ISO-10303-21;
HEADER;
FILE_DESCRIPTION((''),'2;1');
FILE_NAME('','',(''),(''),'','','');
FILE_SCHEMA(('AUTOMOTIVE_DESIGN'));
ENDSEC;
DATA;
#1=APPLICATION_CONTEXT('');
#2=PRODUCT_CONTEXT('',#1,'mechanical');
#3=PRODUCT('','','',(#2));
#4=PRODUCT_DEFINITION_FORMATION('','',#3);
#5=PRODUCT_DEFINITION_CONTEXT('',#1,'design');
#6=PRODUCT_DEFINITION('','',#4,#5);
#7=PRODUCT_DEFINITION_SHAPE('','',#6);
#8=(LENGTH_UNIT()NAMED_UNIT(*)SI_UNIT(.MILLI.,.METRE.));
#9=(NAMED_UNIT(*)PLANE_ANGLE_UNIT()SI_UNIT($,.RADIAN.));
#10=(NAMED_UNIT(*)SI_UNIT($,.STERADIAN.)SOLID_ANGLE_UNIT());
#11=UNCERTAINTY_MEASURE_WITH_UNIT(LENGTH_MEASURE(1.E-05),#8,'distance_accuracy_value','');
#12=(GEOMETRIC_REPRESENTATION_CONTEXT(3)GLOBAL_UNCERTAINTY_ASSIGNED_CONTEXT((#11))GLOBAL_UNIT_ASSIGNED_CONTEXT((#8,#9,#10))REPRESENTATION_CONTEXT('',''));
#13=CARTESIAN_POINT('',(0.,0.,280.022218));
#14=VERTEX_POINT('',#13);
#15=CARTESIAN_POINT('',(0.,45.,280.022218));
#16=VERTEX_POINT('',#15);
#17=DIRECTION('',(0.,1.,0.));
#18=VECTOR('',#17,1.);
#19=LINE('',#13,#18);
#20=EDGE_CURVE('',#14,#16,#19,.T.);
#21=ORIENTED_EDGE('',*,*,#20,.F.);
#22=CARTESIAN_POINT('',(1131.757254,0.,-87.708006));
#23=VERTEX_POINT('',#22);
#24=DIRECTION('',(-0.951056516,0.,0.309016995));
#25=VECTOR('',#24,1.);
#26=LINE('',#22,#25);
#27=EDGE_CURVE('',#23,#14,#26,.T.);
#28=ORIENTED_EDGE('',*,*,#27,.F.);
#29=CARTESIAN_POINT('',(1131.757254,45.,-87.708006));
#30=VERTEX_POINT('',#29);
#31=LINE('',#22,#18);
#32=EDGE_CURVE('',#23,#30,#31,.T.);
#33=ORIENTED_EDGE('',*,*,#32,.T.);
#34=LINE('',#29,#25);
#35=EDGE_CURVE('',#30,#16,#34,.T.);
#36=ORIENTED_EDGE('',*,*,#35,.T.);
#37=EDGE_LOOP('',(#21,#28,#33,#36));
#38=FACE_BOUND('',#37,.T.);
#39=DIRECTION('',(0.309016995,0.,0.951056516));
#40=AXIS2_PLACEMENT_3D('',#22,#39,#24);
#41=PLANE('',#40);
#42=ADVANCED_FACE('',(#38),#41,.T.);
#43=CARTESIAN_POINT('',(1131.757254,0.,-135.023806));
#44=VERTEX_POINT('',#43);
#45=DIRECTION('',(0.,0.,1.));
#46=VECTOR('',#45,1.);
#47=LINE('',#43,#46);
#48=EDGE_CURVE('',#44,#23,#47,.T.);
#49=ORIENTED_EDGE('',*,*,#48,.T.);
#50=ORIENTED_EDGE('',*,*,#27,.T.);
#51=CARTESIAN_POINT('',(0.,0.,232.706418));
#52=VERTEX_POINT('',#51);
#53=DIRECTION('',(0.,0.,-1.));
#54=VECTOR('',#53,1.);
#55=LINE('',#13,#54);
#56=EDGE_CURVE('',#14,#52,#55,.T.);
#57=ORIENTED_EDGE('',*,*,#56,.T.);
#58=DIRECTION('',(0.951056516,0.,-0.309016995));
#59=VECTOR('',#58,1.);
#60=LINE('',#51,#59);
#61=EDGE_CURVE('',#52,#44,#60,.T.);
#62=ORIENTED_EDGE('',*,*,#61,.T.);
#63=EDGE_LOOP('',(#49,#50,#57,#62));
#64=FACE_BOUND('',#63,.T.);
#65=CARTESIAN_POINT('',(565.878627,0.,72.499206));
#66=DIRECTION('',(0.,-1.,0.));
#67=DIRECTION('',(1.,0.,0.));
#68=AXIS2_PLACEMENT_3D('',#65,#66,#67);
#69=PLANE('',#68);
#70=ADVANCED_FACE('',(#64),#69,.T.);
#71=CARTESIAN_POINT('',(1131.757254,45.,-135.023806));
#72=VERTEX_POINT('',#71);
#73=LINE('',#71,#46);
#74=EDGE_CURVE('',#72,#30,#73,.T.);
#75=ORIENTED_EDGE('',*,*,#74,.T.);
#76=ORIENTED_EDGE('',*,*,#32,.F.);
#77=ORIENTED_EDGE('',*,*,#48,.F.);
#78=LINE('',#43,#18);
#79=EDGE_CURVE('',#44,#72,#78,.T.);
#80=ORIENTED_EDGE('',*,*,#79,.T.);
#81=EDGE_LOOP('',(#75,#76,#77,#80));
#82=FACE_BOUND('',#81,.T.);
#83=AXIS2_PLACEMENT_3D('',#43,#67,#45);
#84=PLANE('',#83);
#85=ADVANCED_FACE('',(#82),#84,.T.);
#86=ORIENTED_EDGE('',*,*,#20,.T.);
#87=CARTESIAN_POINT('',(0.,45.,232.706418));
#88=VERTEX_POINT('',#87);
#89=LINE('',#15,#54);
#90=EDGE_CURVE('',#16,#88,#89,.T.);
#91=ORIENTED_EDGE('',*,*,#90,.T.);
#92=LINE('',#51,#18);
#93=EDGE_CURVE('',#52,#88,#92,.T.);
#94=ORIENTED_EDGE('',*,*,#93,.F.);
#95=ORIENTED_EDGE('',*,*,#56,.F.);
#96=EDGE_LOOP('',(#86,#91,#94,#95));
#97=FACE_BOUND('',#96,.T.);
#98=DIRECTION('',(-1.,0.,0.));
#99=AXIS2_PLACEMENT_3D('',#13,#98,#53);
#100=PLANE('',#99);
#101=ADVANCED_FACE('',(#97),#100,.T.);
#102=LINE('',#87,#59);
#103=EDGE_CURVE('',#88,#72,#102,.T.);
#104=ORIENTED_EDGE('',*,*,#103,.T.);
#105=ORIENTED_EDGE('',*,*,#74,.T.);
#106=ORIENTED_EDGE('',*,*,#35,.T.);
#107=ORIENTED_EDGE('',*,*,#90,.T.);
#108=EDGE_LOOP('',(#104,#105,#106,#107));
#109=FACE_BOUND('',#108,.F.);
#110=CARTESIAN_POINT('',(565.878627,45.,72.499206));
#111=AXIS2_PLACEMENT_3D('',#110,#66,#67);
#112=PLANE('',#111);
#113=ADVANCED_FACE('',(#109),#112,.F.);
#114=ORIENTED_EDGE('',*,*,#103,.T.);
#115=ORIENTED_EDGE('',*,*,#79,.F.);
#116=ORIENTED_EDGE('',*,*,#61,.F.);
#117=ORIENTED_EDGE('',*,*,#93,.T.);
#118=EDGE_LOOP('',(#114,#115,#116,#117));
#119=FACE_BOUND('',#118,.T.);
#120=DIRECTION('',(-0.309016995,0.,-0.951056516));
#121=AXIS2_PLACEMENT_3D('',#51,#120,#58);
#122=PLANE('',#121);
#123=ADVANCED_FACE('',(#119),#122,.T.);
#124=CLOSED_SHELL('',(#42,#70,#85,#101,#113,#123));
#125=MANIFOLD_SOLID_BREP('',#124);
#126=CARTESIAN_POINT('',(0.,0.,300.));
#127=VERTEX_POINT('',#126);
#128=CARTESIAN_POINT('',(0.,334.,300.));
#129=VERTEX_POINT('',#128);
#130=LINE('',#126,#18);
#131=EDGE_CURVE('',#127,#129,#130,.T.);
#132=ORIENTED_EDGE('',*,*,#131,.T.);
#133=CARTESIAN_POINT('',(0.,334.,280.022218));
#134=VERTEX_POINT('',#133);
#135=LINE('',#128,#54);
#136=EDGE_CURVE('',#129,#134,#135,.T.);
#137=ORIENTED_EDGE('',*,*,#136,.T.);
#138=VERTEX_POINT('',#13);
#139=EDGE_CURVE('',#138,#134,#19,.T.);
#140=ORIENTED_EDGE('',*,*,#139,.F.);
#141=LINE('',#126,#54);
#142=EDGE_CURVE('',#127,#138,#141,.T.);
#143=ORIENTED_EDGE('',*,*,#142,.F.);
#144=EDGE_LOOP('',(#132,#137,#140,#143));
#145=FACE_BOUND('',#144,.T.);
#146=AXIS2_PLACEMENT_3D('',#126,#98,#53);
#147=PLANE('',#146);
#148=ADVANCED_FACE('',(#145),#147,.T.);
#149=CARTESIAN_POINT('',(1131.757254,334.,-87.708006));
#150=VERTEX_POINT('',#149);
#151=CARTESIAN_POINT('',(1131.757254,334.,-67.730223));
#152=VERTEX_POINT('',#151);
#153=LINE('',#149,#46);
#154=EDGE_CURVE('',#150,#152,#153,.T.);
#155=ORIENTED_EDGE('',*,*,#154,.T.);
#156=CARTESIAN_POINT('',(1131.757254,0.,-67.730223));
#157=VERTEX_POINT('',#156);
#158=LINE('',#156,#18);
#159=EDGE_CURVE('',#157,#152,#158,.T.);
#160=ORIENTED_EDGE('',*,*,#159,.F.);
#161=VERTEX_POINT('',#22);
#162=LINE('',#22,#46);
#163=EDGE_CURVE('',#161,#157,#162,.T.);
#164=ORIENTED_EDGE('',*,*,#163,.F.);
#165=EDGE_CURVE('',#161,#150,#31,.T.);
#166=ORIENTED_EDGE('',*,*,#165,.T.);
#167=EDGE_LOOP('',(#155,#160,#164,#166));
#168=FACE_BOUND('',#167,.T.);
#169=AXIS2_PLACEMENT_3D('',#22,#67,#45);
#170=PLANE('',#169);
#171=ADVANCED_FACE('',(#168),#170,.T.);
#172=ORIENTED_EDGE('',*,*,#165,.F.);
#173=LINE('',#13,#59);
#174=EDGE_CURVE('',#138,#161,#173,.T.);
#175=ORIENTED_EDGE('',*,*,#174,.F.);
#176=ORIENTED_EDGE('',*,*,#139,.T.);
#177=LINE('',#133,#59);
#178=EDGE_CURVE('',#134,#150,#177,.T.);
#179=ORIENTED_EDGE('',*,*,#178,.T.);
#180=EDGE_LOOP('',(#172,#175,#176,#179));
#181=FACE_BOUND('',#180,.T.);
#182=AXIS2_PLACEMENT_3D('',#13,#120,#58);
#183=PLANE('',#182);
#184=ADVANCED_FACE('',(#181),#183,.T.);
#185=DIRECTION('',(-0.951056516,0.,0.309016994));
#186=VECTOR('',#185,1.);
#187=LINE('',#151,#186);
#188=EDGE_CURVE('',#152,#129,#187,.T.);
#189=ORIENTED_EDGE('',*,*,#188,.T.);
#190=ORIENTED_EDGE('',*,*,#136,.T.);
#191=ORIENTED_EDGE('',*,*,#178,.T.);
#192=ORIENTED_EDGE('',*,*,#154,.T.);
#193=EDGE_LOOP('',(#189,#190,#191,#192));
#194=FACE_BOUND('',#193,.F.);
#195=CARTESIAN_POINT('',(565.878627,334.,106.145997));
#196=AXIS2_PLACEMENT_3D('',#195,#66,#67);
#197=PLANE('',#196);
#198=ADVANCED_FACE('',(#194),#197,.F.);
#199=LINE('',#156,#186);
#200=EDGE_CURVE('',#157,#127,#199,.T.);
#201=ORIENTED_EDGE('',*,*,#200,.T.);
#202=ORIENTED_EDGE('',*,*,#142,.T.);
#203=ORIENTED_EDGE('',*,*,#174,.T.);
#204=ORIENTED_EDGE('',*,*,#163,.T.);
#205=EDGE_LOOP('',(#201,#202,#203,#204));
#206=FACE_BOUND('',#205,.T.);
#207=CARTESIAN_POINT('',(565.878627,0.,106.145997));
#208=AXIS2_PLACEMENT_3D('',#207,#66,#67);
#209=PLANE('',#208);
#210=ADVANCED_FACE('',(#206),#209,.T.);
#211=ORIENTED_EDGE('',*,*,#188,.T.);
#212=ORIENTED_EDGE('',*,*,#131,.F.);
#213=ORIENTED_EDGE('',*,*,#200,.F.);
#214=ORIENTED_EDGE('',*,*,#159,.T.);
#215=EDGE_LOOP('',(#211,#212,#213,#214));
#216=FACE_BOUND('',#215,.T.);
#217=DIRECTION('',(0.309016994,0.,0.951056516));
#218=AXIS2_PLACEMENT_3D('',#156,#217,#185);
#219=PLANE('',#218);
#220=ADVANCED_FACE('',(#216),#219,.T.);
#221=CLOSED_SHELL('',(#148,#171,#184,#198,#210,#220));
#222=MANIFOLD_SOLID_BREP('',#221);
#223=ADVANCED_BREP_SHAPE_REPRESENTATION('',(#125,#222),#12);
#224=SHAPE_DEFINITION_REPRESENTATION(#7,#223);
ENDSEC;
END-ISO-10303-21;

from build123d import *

# Parameters (mm, degrees)
F1_DEPTH = 334
F2_DEPTH = 45


with BuildPart() as f1:
    # F0 (on Front) → F1 (new body)
    with BuildSketch(Plane.XZ):
        Polygon((0, 300), (0, 280.022218), (1131.757254, -87.708006), (1131.757254, -67.730223), align=None)
    extrude(amount=-F1_DEPTH)


with BuildPart() as f2:
    # F0 (on Front) → F2 (new body)
    with BuildSketch(Plane.XZ):
        Polygon((0, 280.022218), (0, 232.706418), (1131.757254, -135.023806), (1131.757254, -87.708006), align=None)
    extrude(amount=-F2_DEPTH)


solid = Compound([f1.part, f2.part])
